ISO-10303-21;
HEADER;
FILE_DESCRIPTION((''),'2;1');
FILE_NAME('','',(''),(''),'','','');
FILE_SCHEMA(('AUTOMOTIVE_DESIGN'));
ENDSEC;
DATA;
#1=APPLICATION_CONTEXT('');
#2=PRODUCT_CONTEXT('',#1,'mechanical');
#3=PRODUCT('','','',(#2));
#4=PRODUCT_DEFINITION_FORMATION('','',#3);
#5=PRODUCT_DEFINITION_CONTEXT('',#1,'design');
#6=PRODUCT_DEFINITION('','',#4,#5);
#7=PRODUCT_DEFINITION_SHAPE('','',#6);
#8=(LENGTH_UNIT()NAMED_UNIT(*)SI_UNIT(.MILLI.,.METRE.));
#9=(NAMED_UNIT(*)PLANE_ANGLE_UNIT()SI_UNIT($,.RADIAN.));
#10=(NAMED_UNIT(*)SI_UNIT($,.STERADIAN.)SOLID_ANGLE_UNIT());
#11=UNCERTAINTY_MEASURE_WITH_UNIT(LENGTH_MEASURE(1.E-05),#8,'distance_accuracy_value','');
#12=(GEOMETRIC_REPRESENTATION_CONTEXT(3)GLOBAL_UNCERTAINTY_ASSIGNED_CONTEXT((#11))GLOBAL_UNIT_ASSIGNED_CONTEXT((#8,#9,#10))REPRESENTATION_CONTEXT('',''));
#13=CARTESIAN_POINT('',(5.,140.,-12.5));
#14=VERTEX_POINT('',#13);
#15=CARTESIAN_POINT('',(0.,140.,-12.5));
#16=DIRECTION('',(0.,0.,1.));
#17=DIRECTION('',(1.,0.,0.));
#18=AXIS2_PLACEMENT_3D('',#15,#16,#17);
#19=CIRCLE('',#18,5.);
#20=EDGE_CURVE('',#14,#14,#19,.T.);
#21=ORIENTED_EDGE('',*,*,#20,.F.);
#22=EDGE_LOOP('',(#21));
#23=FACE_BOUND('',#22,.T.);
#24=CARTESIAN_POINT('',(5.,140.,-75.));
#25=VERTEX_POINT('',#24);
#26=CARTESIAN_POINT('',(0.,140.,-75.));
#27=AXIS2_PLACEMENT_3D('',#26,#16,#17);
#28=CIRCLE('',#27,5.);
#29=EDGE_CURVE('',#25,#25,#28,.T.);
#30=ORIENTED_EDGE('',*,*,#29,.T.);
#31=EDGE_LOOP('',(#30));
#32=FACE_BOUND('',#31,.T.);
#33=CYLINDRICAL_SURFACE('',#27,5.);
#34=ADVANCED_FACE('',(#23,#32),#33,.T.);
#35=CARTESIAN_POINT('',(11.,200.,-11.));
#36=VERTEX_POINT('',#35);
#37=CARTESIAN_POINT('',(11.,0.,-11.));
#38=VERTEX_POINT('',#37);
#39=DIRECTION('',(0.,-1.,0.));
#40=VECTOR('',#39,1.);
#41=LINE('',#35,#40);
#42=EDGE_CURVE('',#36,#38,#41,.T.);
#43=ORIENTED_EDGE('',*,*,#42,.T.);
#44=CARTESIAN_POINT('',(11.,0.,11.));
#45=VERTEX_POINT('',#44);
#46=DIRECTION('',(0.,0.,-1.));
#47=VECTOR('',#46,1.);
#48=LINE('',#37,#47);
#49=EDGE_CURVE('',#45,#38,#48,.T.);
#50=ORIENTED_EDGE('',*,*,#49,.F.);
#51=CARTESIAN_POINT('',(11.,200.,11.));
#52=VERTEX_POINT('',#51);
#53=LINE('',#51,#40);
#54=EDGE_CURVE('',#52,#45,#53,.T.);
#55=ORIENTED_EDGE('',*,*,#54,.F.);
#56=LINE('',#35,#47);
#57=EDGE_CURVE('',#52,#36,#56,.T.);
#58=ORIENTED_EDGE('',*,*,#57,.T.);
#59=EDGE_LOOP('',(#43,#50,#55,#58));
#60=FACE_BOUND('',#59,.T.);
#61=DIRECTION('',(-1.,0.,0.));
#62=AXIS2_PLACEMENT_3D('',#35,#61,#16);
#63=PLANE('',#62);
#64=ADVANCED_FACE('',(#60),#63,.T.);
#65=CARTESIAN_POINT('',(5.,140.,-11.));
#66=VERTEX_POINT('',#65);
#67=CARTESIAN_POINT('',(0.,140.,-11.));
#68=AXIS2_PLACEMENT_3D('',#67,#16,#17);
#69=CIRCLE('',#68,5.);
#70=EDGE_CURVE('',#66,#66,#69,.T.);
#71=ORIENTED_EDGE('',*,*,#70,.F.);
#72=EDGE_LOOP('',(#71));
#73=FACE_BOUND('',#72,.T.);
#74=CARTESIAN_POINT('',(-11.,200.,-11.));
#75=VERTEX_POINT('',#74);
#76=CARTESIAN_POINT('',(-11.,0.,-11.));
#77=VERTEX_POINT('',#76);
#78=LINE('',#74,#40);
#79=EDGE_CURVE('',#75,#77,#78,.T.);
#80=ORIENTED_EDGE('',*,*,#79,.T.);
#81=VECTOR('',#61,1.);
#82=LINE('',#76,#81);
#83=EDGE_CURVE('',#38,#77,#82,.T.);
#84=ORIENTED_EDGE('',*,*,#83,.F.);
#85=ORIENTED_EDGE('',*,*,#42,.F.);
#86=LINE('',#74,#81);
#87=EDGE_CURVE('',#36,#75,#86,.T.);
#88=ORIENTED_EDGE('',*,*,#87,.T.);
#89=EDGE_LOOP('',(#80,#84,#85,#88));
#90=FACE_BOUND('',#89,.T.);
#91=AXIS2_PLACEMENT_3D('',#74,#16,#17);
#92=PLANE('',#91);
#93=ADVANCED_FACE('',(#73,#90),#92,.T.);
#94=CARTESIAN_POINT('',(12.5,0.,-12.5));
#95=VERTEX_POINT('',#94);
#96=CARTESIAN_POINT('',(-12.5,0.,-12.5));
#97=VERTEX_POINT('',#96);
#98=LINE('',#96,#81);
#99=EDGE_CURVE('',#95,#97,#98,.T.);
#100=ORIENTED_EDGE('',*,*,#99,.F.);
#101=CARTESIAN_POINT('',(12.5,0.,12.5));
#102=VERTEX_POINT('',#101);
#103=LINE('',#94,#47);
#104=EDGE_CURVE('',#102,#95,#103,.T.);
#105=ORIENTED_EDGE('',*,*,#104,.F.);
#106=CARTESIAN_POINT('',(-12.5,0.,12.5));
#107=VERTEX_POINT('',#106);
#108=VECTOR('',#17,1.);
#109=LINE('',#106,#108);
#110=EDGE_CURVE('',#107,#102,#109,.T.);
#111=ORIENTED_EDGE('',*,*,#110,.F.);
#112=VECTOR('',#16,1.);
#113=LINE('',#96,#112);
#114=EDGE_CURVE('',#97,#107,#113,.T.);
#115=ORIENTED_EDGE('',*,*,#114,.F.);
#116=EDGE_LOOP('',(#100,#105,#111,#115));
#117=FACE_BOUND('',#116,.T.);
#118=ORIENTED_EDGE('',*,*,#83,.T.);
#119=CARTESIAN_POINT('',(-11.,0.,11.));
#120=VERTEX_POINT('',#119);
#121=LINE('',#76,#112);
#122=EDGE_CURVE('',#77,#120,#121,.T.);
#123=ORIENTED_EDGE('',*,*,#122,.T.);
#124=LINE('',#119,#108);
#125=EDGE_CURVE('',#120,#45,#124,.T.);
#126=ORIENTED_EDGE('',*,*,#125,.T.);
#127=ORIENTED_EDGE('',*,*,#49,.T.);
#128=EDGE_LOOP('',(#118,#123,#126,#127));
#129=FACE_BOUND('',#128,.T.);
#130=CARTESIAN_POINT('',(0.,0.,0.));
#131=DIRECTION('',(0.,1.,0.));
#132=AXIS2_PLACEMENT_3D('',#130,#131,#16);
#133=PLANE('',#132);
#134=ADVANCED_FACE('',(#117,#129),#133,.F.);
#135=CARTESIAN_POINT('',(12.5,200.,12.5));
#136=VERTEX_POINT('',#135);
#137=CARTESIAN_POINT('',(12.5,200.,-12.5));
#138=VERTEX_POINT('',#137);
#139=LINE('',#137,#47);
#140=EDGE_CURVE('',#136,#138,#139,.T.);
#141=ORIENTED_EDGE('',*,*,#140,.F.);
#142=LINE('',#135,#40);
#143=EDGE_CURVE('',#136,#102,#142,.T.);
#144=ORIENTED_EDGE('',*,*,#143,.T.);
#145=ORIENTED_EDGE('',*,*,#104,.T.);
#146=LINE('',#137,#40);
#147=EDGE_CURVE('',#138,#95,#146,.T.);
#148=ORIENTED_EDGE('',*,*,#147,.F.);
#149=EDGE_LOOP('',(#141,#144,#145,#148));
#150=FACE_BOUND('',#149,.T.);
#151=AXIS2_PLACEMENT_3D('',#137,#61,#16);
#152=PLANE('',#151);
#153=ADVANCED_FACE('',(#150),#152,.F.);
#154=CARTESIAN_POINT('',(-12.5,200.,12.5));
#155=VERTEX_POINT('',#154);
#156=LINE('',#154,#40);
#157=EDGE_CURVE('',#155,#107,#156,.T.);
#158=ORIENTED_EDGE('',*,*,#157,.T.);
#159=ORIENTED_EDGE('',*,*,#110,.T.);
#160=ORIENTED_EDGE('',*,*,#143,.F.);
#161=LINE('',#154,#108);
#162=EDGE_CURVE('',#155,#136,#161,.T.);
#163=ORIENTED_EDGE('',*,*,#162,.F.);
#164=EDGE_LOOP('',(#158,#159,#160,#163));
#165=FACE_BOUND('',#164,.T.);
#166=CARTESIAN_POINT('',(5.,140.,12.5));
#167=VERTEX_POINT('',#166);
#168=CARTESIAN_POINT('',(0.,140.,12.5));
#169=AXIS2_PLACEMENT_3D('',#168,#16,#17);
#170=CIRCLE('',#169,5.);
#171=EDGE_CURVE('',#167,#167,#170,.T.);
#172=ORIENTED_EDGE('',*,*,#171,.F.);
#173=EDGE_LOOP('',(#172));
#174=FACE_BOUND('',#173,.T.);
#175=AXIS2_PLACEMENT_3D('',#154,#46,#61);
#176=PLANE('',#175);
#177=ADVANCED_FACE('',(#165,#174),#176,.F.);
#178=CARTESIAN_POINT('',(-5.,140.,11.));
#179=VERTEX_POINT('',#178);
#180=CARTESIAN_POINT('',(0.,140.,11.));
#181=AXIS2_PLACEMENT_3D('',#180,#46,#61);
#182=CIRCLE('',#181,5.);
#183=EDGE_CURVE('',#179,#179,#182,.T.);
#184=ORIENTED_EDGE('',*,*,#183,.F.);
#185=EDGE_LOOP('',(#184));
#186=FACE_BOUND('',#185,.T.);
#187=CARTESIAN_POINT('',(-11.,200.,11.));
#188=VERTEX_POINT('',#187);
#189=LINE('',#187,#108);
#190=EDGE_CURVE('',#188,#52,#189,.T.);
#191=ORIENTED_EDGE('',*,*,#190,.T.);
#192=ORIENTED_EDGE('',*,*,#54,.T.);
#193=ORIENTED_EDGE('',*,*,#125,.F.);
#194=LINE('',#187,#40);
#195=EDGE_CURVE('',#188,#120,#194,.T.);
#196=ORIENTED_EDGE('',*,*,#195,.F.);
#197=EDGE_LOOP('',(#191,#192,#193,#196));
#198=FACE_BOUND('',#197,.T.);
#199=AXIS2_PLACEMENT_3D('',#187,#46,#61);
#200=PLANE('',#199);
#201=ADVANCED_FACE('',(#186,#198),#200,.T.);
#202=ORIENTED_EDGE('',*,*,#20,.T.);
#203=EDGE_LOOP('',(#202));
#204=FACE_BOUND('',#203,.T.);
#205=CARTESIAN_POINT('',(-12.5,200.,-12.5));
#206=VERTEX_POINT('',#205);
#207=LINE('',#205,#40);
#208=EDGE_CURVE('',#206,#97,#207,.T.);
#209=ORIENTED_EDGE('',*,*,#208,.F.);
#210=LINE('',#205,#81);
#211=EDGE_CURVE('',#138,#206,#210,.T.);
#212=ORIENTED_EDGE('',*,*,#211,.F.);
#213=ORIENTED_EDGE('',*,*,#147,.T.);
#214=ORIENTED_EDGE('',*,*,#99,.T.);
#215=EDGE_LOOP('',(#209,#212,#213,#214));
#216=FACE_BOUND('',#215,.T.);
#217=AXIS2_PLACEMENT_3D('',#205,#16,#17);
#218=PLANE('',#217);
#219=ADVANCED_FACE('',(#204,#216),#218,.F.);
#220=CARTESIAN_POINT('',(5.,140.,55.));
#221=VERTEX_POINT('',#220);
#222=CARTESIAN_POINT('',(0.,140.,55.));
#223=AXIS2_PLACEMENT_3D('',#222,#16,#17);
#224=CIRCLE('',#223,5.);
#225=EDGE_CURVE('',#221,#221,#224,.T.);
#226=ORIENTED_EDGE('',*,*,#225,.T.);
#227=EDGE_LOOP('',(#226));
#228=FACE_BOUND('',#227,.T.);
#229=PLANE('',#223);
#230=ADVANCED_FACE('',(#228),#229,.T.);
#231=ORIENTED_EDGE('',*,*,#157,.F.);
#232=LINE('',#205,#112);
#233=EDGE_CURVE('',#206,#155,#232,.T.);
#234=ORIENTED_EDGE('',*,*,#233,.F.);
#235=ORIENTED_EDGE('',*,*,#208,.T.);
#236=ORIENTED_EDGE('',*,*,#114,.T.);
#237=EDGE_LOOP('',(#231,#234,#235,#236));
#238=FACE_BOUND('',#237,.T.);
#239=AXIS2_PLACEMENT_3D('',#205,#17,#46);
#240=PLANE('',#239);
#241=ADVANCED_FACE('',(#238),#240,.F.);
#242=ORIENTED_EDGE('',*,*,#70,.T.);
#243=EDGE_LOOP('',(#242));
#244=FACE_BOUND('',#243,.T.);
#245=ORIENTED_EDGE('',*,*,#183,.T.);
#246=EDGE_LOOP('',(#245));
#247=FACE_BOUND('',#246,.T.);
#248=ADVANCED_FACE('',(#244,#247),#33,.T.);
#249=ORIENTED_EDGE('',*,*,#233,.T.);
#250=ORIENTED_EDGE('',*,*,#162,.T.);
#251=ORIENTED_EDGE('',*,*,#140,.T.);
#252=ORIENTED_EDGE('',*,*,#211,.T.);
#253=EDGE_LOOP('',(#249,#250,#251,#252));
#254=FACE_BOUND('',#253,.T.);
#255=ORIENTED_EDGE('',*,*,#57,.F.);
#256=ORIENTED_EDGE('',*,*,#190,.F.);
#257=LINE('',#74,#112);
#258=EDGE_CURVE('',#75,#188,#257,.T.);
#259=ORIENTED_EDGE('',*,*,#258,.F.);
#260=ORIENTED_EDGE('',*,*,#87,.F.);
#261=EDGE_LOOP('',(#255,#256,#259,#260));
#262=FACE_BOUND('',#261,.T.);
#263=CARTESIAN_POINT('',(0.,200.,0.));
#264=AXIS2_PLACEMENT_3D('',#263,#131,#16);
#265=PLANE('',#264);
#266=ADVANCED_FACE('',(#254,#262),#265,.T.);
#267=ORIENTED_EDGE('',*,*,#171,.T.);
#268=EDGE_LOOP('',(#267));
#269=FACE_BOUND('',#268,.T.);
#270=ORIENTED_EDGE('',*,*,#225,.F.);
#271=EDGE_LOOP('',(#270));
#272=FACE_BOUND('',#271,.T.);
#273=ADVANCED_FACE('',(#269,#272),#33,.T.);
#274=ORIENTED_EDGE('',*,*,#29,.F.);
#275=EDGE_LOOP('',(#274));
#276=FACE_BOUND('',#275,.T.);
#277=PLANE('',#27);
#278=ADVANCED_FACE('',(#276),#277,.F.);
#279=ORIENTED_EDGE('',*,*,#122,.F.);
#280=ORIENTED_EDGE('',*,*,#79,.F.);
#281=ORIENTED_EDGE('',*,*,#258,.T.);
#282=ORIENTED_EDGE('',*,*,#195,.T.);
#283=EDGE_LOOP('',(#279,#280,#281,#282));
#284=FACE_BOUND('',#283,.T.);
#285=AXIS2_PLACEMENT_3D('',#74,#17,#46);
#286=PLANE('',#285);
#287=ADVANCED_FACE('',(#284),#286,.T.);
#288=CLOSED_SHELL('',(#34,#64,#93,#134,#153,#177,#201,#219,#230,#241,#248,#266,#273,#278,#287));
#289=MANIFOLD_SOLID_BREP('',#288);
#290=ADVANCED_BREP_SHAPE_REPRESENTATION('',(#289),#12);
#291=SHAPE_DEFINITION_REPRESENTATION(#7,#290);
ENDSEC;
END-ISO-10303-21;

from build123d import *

# Parameters (mm, degrees)
SKETCH3_W                = 25
SKETCH3_H                = 25
SKETCH3_W_2              = 22
SKETCH3_H_2              = 22
BOSS_EXTRUDE1_DEPTH      = 200
SKETCH4_R                = 5
CUT_EXTRUDE1_DEPTH       = 25
BOSS_EXTRUDE2_DEPTH      = 55
BOSS_EXTRUDE2_DEPTH_BACK = 75
SKETCH5_R                = 5


with BuildPart() as part:
    # Sketch3 → Boss-Extrude1 (new body)
    with BuildSketch(Plane(origin=(0, 0, 0), x_dir=(1, 0, 0), z_dir=(0, 1, 0))):
        Rectangle(SKETCH3_W, SKETCH3_H)
        Rectangle(SKETCH3_W_2, SKETCH3_H_2, mode=Mode.SUBTRACT)
    extrude(amount=BOSS_EXTRUDE1_DEPTH)

    # Sketch4 → Cut-Extrude1 (cut)
    with BuildSketch(Plane.XY.offset(12.5)):
        with Locations((0, 140)):
            Circle(SKETCH4_R)
    extrude(amount=-CUT_EXTRUDE1_DEPTH, mode=Mode.SUBTRACT)

    # Sketch5 → Boss-Extrude2 (add, two sides: drawn at the far end of the back side and taken through both)
    with BuildSketch(Plane.XY.offset(-BOSS_EXTRUDE2_DEPTH_BACK)):
        with Locations((0, 140)):
            Circle(SKETCH5_R)
    extrude(amount=BOSS_EXTRUDE2_DEPTH + BOSS_EXTRUDE2_DEPTH_BACK)


solid = part.part
